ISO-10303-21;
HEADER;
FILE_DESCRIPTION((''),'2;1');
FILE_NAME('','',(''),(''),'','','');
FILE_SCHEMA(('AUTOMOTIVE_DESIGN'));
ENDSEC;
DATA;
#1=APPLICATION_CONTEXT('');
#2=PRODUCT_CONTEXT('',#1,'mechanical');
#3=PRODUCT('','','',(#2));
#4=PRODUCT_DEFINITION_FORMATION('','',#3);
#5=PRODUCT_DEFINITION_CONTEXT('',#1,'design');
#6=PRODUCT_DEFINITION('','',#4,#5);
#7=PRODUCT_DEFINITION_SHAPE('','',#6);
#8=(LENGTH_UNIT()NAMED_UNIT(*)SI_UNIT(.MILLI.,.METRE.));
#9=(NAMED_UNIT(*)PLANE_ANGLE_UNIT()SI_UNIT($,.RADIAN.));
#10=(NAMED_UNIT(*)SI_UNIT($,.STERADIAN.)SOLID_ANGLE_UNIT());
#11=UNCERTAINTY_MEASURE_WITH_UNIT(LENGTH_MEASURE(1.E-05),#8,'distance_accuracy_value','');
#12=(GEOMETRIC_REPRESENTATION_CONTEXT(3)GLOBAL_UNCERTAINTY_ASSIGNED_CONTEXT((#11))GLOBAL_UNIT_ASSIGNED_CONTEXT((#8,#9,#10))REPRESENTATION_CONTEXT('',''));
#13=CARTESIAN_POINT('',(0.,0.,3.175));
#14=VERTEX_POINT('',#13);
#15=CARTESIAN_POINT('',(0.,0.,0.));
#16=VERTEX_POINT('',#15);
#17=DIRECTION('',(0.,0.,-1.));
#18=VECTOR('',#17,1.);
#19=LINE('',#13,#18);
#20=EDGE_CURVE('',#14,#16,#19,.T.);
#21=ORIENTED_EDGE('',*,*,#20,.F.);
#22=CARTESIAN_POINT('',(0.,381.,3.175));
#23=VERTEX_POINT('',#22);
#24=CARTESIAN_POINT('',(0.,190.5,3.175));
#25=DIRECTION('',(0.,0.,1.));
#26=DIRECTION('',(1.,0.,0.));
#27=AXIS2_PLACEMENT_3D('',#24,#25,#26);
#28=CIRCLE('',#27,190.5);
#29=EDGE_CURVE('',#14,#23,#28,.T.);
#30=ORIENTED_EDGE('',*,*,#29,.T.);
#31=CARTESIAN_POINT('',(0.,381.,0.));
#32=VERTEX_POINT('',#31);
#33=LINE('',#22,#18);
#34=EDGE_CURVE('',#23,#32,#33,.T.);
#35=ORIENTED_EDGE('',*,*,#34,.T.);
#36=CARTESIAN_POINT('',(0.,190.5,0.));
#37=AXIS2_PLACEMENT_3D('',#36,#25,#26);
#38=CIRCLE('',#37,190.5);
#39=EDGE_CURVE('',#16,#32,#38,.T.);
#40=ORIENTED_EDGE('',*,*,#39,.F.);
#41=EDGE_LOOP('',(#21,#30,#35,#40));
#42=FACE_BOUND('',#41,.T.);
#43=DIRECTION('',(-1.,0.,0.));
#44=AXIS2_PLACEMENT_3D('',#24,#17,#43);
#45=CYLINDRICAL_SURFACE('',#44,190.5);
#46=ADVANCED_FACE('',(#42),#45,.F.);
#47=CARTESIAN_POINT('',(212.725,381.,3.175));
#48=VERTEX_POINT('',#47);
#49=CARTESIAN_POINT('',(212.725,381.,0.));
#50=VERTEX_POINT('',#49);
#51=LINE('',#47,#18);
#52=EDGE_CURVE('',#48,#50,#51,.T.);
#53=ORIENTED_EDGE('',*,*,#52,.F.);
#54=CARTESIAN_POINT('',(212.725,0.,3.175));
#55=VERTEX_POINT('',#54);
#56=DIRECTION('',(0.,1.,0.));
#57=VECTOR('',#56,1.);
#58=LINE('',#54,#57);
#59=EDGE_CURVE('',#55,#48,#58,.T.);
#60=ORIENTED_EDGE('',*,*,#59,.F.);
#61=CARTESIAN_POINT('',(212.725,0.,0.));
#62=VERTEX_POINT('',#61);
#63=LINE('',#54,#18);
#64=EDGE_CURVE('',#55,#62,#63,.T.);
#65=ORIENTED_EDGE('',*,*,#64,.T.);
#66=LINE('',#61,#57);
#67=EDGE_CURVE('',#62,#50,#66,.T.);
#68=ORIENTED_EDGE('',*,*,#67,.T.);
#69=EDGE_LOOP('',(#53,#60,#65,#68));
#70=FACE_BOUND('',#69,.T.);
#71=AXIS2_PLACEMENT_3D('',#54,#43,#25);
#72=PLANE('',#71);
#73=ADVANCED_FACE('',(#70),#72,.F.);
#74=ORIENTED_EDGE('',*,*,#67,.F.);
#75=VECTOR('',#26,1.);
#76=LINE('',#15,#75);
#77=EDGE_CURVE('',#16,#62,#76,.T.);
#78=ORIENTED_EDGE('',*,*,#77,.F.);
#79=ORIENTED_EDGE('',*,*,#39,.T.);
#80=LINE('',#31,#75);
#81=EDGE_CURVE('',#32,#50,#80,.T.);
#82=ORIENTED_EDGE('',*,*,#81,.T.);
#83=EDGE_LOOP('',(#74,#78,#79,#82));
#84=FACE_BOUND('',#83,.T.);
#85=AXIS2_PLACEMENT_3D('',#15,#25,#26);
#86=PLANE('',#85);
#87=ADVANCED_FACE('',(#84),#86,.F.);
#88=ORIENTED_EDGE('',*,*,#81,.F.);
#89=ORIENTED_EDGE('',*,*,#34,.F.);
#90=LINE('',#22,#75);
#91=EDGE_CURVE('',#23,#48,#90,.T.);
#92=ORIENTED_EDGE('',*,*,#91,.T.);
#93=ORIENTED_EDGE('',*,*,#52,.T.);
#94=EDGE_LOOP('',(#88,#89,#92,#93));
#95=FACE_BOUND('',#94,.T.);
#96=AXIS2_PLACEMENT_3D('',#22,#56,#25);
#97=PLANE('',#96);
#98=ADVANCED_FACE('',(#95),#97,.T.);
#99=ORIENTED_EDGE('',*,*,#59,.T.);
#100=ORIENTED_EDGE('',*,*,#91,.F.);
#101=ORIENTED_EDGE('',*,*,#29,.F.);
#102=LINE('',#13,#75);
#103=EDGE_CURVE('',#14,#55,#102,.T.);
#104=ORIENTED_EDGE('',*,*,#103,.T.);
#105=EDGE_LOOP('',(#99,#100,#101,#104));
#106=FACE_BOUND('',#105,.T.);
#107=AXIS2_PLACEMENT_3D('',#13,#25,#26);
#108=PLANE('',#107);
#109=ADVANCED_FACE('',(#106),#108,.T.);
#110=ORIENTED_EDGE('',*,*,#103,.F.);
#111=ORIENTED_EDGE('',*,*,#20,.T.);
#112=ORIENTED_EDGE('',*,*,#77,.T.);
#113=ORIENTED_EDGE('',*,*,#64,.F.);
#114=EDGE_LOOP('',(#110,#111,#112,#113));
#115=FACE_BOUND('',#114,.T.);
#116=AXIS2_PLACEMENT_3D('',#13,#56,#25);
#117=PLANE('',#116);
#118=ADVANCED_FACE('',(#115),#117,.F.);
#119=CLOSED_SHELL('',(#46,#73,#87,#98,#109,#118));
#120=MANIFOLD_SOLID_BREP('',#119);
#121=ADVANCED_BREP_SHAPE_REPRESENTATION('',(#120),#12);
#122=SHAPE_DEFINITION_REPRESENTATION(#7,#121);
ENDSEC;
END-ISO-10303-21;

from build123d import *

# Parameters (mm, degrees)
BOSS_EXTRUDE1_DEPTH = 3.175


with BuildPart() as part:
    # Sketch1 → Boss-Extrude1 (new body)
    with BuildSketch(Plane.XY):
        with BuildLine():
            ThreePointArc((0, 0), (190.5, 190.5), (0, 381))
            Line((0, 381), (212.725, 381))
            Line((212.725, 381), (212.725, 0))
            Line((212.725, 0), (0, 0))
        make_face()
    extrude(amount=BOSS_EXTRUDE1_DEPTH)


solid = part.part
